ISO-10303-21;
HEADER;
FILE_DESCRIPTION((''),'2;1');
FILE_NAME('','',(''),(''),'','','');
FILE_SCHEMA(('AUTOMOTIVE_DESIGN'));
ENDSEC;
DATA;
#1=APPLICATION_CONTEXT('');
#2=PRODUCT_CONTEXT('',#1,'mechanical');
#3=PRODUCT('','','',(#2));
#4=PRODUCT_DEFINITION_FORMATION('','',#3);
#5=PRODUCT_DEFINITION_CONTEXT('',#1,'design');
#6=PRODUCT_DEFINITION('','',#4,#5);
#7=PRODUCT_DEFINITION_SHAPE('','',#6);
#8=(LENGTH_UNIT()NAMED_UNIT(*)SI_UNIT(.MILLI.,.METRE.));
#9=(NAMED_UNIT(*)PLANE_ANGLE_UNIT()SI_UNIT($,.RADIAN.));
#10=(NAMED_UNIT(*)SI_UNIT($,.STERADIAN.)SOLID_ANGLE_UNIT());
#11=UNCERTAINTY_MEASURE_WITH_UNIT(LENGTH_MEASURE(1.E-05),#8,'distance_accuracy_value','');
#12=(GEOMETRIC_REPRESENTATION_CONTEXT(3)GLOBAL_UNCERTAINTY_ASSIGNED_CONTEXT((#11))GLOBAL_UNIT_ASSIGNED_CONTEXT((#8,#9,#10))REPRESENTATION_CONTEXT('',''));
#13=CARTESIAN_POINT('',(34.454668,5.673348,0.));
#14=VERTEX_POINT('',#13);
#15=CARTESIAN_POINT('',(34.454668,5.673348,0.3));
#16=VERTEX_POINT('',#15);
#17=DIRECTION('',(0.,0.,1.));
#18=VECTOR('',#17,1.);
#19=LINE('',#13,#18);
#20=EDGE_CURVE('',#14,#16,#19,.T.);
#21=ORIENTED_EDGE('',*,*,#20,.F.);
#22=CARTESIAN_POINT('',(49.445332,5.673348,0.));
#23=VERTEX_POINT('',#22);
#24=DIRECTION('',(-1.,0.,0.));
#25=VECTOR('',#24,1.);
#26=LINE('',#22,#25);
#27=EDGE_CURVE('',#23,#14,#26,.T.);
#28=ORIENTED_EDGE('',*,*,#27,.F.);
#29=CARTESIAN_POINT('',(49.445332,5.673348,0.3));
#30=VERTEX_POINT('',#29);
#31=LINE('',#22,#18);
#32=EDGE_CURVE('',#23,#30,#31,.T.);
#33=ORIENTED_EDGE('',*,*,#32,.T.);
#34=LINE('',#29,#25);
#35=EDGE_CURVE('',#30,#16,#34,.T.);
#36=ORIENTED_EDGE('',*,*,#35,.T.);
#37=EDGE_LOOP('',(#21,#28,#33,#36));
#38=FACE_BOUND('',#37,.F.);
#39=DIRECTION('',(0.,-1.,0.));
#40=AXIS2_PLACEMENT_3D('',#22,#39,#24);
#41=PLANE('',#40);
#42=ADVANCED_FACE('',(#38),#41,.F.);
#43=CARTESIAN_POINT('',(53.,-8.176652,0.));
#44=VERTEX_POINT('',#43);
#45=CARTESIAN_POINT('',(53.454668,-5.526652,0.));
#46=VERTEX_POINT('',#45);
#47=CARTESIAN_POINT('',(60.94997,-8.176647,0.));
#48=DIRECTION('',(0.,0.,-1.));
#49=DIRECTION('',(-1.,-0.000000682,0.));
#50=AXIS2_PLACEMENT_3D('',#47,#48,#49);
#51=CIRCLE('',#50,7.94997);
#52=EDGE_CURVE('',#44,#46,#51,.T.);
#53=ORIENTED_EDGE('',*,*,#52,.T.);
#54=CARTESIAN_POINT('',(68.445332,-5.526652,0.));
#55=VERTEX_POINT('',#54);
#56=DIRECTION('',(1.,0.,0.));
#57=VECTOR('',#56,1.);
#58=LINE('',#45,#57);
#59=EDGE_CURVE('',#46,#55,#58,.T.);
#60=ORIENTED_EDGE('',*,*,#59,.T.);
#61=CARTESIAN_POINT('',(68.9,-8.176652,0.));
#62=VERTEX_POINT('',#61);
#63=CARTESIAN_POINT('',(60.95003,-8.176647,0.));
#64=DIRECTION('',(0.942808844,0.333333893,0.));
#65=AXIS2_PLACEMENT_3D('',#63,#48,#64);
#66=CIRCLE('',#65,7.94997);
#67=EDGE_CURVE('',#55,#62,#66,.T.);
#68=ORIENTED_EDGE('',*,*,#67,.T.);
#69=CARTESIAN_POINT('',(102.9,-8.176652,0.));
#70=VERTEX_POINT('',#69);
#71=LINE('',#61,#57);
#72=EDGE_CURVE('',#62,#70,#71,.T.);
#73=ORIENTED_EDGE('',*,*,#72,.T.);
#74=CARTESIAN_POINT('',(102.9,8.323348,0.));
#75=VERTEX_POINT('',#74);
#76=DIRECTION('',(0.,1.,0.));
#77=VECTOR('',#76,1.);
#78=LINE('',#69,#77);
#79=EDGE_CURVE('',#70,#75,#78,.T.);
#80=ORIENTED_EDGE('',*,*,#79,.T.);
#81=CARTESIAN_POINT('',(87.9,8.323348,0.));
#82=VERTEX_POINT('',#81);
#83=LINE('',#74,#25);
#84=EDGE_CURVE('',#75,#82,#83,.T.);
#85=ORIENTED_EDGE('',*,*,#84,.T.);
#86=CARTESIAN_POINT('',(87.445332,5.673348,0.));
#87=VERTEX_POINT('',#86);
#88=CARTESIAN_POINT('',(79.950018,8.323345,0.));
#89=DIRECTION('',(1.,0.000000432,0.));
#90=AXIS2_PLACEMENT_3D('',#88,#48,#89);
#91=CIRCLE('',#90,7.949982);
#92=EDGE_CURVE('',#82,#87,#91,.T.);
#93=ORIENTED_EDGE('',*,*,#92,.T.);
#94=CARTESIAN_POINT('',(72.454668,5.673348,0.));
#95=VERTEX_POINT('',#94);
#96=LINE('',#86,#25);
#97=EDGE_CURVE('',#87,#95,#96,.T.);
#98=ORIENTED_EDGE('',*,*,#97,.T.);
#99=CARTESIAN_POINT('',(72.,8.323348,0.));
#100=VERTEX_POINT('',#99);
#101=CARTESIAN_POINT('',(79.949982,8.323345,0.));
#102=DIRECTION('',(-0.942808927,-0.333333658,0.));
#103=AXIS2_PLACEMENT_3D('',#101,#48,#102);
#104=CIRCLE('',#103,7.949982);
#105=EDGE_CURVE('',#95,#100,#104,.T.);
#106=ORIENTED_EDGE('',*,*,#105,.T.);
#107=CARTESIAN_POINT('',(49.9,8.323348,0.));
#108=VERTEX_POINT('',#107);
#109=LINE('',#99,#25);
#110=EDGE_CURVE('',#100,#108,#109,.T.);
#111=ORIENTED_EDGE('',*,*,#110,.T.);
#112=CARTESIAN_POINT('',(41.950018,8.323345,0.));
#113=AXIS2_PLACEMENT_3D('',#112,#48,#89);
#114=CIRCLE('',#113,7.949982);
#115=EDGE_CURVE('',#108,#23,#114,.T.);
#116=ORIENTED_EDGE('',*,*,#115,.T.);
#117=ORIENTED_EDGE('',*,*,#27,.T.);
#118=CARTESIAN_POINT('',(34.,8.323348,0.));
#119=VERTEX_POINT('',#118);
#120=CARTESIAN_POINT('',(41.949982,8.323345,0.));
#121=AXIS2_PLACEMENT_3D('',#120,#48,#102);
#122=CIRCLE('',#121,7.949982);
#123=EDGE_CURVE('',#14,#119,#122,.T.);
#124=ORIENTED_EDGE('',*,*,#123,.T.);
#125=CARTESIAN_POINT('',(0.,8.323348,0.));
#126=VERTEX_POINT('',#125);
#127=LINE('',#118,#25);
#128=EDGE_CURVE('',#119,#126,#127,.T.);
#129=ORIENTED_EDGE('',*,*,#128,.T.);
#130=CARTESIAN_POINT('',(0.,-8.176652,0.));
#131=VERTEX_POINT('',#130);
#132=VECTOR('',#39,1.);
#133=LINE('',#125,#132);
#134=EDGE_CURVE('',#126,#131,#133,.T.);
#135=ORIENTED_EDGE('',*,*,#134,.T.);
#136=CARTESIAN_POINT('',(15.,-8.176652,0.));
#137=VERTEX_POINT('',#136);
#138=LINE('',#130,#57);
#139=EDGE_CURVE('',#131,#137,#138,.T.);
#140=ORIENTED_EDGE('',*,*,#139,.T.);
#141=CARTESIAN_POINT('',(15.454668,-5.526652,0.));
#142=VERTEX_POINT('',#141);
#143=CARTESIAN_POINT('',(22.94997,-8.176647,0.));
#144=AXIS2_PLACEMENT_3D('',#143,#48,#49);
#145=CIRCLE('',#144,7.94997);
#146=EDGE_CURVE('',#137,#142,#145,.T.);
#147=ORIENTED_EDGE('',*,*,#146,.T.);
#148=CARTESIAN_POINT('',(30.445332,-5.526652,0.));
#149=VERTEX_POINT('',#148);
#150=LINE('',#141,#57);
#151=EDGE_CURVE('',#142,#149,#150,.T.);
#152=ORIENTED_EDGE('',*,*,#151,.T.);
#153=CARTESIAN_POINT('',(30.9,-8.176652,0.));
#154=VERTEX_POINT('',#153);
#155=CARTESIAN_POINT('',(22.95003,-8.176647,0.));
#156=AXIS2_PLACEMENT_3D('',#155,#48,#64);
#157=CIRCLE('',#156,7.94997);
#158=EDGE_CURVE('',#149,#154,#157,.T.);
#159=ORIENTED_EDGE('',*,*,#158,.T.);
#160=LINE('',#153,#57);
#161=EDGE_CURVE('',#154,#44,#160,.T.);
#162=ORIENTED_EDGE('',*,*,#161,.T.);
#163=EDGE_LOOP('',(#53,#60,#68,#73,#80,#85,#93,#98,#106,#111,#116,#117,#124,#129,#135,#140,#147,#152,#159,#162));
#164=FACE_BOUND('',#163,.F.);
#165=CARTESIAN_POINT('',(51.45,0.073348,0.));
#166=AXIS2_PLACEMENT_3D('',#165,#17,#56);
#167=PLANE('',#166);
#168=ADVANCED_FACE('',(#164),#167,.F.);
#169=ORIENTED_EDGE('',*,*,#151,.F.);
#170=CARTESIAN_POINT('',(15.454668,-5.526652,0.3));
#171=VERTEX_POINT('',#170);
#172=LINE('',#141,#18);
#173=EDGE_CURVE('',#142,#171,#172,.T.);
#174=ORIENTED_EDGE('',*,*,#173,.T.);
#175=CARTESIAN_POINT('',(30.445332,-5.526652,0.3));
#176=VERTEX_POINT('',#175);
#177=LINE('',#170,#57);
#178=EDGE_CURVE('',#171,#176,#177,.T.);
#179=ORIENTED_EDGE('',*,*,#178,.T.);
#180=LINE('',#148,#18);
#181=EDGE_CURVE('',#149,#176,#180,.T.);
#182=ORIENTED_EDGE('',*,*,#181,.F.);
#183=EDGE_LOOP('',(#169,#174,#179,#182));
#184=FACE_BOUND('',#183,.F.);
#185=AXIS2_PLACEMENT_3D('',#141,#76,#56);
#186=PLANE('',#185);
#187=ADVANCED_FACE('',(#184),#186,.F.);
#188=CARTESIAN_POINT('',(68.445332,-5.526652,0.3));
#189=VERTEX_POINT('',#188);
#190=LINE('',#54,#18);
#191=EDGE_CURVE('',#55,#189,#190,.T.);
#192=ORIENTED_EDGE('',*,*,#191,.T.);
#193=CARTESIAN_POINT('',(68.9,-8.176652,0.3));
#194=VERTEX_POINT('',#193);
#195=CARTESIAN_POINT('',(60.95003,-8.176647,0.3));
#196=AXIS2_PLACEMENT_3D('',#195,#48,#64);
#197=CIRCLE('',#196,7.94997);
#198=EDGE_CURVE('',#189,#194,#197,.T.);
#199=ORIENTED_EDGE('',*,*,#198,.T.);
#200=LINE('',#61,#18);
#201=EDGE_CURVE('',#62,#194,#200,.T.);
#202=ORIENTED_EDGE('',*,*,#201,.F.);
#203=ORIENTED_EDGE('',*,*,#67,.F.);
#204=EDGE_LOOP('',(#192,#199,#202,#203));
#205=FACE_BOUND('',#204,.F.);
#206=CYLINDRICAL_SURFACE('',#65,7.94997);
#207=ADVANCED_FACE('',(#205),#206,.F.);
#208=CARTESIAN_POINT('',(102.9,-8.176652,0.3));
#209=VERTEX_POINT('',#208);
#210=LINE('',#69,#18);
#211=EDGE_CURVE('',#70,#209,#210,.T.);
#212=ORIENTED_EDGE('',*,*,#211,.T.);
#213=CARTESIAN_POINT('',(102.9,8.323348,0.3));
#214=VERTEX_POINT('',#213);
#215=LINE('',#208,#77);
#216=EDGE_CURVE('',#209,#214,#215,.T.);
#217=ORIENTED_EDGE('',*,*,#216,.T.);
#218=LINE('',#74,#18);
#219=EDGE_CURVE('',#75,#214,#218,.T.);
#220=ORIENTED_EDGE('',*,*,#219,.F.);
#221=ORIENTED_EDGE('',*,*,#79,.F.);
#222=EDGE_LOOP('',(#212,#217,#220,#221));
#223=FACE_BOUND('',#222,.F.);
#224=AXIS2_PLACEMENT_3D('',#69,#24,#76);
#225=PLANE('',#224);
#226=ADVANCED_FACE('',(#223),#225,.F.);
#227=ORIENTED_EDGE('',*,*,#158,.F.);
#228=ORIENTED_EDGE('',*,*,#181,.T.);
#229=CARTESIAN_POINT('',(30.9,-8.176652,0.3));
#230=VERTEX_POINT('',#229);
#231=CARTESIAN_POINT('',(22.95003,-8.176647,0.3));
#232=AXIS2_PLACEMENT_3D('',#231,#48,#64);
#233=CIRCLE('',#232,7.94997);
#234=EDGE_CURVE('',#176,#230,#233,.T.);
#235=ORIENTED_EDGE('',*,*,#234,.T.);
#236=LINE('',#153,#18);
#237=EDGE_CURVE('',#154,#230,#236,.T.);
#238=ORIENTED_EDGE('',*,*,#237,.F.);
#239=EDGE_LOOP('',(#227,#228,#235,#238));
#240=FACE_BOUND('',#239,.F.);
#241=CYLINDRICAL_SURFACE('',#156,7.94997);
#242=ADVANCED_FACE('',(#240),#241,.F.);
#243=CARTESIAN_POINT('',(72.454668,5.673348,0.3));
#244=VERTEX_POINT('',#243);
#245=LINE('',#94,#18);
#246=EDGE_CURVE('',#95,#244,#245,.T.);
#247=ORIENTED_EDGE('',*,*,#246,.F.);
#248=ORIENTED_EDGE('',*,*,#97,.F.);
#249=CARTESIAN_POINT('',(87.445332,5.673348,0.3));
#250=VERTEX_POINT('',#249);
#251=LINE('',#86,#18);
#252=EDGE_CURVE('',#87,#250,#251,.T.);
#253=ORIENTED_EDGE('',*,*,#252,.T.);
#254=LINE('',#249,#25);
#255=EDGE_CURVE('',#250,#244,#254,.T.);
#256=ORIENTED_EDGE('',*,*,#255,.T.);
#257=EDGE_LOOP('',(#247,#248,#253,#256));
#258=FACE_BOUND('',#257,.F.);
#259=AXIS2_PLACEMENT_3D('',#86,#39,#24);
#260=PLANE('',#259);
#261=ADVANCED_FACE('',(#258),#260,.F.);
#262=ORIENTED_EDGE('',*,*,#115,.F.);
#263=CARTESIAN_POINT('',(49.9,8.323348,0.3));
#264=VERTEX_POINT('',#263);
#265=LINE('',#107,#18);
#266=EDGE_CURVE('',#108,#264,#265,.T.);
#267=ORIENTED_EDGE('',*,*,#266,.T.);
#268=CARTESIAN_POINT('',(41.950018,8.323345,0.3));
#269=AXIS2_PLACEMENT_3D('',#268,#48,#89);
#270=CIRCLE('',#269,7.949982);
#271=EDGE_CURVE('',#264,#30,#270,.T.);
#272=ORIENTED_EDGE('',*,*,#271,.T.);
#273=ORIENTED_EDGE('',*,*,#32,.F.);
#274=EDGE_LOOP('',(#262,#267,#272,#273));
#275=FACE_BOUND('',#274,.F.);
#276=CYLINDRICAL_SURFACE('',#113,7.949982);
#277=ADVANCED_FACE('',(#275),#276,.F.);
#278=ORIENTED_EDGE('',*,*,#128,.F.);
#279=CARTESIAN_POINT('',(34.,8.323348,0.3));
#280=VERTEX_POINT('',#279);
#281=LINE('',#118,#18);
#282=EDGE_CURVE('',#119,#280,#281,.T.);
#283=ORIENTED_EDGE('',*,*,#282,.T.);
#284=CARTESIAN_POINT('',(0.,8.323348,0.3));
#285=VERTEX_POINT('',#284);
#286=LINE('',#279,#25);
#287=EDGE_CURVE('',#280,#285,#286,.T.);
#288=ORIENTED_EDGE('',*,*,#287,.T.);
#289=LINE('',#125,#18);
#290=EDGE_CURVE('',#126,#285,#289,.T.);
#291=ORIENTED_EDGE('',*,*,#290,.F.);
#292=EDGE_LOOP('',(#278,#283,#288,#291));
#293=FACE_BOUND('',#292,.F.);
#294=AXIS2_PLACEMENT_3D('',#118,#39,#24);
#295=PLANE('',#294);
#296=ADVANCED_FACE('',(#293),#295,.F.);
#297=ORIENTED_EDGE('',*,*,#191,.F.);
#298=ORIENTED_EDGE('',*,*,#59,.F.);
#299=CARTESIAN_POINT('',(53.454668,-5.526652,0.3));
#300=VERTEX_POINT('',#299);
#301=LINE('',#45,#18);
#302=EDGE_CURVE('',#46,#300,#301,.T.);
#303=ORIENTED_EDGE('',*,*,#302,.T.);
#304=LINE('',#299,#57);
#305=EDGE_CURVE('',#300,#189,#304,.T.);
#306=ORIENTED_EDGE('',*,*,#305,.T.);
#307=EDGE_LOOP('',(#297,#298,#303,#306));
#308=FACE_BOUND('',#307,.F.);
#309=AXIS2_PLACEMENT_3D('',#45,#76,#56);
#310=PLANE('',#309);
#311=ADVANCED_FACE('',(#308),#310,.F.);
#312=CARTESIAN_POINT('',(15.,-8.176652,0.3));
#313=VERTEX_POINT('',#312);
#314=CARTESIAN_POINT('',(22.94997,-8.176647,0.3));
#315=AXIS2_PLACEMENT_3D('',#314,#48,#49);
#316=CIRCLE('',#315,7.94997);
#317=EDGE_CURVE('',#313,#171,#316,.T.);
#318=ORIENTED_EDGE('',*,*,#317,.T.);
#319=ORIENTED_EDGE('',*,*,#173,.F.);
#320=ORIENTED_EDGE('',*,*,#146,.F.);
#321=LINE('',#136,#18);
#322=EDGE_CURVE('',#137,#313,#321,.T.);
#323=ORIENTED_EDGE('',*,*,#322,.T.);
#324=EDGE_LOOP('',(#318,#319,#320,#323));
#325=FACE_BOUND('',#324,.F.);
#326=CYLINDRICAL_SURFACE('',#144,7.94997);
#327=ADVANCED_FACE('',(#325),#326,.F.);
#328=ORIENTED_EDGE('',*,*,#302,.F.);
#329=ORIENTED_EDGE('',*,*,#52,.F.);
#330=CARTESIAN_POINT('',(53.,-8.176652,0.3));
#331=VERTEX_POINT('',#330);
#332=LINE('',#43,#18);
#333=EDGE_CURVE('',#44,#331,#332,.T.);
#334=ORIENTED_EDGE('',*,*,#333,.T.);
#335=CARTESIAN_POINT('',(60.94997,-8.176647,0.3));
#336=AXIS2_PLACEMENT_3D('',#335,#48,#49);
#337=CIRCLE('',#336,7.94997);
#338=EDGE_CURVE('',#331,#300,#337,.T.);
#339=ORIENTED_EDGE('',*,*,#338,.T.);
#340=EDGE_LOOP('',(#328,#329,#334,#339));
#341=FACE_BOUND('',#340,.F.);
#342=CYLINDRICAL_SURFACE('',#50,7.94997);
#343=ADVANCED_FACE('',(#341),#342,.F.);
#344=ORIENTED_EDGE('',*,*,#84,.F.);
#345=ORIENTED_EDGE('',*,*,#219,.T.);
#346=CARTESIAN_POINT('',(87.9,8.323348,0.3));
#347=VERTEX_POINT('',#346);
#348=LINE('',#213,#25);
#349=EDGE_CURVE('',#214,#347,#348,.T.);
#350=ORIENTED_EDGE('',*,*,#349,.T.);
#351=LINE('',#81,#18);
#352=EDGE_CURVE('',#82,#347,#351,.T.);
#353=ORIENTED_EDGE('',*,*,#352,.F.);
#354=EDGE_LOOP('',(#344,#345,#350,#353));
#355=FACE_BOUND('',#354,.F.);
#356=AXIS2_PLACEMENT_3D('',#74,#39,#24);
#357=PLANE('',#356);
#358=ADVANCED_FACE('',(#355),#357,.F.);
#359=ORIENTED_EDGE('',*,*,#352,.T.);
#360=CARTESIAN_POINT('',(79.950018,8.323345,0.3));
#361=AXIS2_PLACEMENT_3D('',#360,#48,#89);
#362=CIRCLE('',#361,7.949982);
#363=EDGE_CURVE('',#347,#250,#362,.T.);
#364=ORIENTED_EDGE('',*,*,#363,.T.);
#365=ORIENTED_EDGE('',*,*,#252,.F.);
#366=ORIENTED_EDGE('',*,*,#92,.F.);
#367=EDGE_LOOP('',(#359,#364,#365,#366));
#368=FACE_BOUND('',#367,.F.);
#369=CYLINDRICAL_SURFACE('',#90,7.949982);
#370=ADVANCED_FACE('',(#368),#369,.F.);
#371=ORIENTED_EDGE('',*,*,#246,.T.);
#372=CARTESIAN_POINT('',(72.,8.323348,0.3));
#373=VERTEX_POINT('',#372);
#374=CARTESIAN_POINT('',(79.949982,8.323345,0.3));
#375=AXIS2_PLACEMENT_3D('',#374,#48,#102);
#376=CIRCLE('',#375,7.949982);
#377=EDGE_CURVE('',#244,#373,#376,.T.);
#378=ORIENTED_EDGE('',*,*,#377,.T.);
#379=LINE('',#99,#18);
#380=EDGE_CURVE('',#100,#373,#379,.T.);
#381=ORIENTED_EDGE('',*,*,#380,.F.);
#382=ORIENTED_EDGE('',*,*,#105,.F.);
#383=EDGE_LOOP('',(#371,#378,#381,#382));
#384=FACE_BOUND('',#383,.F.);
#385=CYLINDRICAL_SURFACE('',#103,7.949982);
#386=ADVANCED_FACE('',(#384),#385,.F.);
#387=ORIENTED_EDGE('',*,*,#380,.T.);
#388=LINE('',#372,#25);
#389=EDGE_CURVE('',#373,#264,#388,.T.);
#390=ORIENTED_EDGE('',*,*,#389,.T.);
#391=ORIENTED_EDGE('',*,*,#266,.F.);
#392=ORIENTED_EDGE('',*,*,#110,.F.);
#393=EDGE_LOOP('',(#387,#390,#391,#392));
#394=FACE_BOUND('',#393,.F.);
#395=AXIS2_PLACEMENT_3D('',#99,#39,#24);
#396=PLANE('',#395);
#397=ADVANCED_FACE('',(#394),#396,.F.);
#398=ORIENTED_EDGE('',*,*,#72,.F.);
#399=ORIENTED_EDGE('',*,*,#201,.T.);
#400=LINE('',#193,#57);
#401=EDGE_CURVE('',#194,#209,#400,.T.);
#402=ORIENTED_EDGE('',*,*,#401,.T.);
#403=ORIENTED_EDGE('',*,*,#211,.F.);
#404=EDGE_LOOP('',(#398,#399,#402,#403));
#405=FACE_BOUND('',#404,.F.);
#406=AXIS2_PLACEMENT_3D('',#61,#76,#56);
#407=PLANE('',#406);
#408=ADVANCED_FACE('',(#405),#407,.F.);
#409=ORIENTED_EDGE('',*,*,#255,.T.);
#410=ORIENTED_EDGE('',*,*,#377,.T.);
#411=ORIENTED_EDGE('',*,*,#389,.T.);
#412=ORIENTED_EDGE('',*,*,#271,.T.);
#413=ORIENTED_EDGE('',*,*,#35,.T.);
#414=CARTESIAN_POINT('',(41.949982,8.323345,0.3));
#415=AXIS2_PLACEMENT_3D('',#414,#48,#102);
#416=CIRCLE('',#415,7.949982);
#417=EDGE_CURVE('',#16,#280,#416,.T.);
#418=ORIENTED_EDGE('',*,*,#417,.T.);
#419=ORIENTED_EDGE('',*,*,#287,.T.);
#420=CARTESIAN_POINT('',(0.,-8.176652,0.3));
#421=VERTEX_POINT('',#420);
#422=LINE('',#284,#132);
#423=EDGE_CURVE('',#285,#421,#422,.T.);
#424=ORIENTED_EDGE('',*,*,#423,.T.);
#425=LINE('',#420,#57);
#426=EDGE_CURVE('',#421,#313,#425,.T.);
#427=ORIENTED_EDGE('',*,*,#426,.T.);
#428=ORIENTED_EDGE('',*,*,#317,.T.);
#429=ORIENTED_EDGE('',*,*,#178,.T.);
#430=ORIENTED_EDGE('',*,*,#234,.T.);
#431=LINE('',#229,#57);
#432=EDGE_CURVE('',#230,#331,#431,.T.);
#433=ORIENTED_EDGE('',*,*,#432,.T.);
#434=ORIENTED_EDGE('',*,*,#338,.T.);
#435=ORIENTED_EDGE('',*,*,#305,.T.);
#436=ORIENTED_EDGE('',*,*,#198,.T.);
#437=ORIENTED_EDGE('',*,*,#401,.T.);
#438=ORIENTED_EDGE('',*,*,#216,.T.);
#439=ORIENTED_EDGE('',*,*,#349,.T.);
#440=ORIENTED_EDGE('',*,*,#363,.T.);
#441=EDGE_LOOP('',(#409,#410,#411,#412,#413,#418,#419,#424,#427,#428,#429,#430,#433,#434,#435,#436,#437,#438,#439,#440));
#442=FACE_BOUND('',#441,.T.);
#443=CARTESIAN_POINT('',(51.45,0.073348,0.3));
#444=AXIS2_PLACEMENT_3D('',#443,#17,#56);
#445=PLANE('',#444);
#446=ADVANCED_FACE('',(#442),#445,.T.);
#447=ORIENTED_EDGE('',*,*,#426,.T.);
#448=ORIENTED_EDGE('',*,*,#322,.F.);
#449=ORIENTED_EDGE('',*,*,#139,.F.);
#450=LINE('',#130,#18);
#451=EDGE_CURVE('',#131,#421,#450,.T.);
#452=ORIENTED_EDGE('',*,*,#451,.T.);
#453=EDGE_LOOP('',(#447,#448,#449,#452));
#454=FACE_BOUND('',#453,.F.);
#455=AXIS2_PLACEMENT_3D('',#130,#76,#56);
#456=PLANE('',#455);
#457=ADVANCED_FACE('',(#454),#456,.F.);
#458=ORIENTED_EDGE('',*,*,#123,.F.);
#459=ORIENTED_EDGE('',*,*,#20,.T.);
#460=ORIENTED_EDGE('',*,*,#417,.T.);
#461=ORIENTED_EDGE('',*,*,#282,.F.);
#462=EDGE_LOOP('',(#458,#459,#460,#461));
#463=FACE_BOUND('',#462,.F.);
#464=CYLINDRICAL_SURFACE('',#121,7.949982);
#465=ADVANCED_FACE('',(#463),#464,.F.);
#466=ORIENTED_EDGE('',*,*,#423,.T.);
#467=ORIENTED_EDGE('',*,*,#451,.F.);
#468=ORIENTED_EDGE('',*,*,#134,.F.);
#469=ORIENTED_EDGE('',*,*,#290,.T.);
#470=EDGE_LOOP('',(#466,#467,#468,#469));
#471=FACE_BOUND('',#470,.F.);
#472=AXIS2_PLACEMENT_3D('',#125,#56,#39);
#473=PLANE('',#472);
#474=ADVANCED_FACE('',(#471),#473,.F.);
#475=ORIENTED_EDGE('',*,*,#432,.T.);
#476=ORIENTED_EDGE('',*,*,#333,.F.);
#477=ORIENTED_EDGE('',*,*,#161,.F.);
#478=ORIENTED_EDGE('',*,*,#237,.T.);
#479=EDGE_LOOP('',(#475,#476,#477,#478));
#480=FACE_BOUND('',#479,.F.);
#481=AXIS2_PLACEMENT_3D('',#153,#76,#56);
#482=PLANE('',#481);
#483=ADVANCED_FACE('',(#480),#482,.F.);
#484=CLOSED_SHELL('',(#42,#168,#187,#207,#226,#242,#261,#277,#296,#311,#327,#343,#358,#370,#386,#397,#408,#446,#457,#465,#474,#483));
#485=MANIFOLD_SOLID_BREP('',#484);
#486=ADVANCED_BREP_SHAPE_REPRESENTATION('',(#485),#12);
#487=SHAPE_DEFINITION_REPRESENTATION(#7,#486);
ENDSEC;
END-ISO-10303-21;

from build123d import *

# Parameters (mm, degrees)
F1_DEPTH = 0.3


with BuildPart() as f1:
    # F0 (on Top) → F1 (new body)
    with BuildSketch(Plane.XY):
        with BuildLine():
            ThreePointArc((68.445332, -5.526652), (68.785509, -6.832291), (68.9, -8.176652))
            Line((68.9, -8.176652), (102.9, -8.176652))
            Line((102.9, -8.176652), (102.9, 8.323348))
            Line((102.9, 8.323348), (87.9, 8.323348))
            ThreePointArc((87.9, 8.323348), (87.785509, 6.978988), (87.445332, 5.673348))
            ThreePointArc((87.445332, 5.673348), (79.95, 0.373348), (72.454668, 5.673348))
            ThreePointArc((72.454668, 5.673348), (72.114491, 6.978988), (72, 8.323348))
            Line((72, 8.323348), (49.9, 8.323348))
            ThreePointArc((49.9, 8.323348), (49.785509, 6.978988), (49.445332, 5.673348))
            ThreePointArc((49.445332, 5.673348), (41.95, 0.373348), (34.454668, 5.673348))
            ThreePointArc((34.454668, 5.673348), (34.114491, 6.978988), (34, 8.323348))
            Line((34, 8.323348), (0, 8.323348))
            Line((0, 8.323348), (0, -8.176652))
            Line((0, -8.176652), (15, -8.176652))
            ThreePointArc((15, -8.176652), (15.114491, -6.832291), (15.454668, -5.526652))
            ThreePointArc((15.454668, -5.526652), (22.95, -0.226652), (30.445332, -5.526652))
            ThreePointArc((30.445332, -5.526652), (30.785509, -6.832291), (30.9, -8.176652))
            Line((30.9, -8.176652), (53, -8.176652))
            ThreePointArc((53, -8.176652), (53.114491, -6.832291), (53.454668, -5.526652))
            ThreePointArc((53.454668, -5.526652), (60.95, -0.226652), (68.445332, -5.526652))
        make_face()
        with BuildLine():
            Line((15.454668, -5.526652), (30.445332, -5.526652))
            ThreePointArc((30.445332, -5.526652), (22.95, -0.226652), (15.454668, -5.526652))
        make_face()
        with BuildLine():
            ThreePointArc((34.454668, 5.673348), (41.95, 0.373348), (49.445332, 5.673348))
            Line((49.445332, 5.673348), (34.454668, 5.673348))
        make_face()
        with BuildLine():
            Line((53.454668, -5.526652), (68.445332, -5.526652))
            ThreePointArc((68.445332, -5.526652), (60.95, -0.226652), (53.454668, -5.526652))
        make_face()
        with BuildLine():
            ThreePointArc((72.454668, 5.673348), (79.95, 0.373348), (87.445332, 5.673348))
            Line((87.445332, 5.673348), (72.454668, 5.673348))
        make_face()
    extrude(amount=F1_DEPTH)


solid = f1.part
